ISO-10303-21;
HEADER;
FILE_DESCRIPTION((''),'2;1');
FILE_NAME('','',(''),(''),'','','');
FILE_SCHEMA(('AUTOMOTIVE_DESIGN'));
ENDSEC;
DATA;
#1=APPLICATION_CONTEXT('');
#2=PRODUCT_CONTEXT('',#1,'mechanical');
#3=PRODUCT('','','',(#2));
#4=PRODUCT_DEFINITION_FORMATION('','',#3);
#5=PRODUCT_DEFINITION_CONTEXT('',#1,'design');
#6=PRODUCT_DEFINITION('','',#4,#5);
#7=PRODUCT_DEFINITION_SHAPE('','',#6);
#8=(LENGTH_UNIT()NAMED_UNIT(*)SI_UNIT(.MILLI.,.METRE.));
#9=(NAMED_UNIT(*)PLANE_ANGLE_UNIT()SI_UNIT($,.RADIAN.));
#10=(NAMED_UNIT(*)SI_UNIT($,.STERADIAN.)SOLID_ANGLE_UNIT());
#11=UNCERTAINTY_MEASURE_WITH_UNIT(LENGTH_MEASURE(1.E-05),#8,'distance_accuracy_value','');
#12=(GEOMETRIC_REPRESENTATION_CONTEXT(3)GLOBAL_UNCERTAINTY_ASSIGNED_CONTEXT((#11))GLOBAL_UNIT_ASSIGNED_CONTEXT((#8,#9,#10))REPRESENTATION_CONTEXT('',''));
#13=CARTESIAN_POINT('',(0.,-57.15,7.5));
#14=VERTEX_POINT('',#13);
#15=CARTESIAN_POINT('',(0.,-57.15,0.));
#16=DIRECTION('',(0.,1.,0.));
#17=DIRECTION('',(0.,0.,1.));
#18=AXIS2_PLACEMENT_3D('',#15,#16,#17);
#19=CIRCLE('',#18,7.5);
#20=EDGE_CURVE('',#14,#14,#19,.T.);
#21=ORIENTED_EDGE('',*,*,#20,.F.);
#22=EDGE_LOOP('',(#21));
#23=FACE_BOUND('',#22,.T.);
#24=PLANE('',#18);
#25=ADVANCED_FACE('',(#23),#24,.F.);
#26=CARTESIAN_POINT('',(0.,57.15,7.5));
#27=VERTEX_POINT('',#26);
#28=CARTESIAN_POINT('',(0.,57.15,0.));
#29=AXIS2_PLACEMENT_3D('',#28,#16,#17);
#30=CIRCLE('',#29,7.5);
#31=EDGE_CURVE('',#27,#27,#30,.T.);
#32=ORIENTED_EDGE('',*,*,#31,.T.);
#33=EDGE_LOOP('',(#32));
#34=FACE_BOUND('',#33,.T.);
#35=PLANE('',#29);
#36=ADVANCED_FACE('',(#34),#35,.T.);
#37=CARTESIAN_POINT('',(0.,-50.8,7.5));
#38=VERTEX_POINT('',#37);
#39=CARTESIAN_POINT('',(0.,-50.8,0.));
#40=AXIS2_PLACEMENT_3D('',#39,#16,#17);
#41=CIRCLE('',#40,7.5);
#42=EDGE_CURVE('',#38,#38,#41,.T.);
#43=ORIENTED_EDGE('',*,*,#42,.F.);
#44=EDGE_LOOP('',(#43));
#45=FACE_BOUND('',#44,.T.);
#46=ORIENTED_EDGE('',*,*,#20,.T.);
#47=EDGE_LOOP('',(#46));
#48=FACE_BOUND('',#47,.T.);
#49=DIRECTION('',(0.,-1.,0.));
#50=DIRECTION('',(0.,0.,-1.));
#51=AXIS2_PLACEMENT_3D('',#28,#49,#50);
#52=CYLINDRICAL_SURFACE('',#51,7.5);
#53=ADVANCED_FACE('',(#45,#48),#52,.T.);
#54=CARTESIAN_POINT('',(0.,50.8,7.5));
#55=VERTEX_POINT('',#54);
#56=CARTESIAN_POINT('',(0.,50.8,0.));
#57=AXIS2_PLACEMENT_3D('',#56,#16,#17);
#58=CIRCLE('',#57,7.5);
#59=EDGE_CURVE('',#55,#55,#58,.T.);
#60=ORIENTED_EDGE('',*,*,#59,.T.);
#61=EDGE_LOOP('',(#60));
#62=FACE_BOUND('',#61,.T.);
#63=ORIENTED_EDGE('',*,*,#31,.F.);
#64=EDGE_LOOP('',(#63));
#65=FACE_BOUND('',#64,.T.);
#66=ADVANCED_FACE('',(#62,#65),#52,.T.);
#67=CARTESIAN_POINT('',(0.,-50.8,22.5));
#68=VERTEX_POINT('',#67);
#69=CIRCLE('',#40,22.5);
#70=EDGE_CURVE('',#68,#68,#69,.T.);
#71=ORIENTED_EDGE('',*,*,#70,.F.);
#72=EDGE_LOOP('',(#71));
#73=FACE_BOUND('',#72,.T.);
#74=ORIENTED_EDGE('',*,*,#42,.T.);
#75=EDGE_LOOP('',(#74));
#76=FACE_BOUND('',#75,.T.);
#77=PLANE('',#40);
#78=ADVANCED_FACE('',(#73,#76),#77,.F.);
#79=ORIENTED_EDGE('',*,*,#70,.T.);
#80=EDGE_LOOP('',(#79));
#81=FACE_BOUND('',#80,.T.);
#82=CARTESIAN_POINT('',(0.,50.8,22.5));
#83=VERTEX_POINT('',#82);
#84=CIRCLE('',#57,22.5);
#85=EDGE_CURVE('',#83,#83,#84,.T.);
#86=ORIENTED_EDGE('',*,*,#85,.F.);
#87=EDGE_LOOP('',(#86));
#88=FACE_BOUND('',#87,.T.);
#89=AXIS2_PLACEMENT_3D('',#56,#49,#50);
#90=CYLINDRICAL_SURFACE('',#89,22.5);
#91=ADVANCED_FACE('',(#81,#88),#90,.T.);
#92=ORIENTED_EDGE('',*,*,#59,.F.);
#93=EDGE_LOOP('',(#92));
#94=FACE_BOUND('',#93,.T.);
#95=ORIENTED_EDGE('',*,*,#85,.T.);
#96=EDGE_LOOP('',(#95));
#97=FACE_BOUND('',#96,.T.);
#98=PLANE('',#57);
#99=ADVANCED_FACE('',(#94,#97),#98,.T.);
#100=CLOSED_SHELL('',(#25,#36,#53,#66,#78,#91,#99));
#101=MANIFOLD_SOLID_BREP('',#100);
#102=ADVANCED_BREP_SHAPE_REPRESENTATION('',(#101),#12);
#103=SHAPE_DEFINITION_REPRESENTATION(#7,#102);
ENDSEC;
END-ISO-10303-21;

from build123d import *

# Parameters (mm, degrees)
SKETCH1_R           = 7.5
BOSS_EXTRUDE2_DEPTH = 57.15
SKETCH1_3_R         = 22.5
BOSS_EXTRUDE3_DEPTH = 50.8


with BuildPart() as part:
    # Sketch1 → Boss-Extrude2 (new, symmetric)
    with BuildSketch(Plane(origin=(0, 0, 0), x_dir=(1, 0, 0), z_dir=(0, 1, 0))):
        Circle(SKETCH1_R)
    extrude(amount=BOSS_EXTRUDE2_DEPTH, both=True)

    # Sketch1<3> → Boss-Extrude3 (add, symmetric)
    with BuildSketch(Plane(origin=(0, 0, 0), x_dir=(1, 0, 0), z_dir=(0, 1, 0))):
        Circle(SKETCH1_3_R)
    extrude(amount=BOSS_EXTRUDE3_DEPTH, both=True)


solid = part.part
